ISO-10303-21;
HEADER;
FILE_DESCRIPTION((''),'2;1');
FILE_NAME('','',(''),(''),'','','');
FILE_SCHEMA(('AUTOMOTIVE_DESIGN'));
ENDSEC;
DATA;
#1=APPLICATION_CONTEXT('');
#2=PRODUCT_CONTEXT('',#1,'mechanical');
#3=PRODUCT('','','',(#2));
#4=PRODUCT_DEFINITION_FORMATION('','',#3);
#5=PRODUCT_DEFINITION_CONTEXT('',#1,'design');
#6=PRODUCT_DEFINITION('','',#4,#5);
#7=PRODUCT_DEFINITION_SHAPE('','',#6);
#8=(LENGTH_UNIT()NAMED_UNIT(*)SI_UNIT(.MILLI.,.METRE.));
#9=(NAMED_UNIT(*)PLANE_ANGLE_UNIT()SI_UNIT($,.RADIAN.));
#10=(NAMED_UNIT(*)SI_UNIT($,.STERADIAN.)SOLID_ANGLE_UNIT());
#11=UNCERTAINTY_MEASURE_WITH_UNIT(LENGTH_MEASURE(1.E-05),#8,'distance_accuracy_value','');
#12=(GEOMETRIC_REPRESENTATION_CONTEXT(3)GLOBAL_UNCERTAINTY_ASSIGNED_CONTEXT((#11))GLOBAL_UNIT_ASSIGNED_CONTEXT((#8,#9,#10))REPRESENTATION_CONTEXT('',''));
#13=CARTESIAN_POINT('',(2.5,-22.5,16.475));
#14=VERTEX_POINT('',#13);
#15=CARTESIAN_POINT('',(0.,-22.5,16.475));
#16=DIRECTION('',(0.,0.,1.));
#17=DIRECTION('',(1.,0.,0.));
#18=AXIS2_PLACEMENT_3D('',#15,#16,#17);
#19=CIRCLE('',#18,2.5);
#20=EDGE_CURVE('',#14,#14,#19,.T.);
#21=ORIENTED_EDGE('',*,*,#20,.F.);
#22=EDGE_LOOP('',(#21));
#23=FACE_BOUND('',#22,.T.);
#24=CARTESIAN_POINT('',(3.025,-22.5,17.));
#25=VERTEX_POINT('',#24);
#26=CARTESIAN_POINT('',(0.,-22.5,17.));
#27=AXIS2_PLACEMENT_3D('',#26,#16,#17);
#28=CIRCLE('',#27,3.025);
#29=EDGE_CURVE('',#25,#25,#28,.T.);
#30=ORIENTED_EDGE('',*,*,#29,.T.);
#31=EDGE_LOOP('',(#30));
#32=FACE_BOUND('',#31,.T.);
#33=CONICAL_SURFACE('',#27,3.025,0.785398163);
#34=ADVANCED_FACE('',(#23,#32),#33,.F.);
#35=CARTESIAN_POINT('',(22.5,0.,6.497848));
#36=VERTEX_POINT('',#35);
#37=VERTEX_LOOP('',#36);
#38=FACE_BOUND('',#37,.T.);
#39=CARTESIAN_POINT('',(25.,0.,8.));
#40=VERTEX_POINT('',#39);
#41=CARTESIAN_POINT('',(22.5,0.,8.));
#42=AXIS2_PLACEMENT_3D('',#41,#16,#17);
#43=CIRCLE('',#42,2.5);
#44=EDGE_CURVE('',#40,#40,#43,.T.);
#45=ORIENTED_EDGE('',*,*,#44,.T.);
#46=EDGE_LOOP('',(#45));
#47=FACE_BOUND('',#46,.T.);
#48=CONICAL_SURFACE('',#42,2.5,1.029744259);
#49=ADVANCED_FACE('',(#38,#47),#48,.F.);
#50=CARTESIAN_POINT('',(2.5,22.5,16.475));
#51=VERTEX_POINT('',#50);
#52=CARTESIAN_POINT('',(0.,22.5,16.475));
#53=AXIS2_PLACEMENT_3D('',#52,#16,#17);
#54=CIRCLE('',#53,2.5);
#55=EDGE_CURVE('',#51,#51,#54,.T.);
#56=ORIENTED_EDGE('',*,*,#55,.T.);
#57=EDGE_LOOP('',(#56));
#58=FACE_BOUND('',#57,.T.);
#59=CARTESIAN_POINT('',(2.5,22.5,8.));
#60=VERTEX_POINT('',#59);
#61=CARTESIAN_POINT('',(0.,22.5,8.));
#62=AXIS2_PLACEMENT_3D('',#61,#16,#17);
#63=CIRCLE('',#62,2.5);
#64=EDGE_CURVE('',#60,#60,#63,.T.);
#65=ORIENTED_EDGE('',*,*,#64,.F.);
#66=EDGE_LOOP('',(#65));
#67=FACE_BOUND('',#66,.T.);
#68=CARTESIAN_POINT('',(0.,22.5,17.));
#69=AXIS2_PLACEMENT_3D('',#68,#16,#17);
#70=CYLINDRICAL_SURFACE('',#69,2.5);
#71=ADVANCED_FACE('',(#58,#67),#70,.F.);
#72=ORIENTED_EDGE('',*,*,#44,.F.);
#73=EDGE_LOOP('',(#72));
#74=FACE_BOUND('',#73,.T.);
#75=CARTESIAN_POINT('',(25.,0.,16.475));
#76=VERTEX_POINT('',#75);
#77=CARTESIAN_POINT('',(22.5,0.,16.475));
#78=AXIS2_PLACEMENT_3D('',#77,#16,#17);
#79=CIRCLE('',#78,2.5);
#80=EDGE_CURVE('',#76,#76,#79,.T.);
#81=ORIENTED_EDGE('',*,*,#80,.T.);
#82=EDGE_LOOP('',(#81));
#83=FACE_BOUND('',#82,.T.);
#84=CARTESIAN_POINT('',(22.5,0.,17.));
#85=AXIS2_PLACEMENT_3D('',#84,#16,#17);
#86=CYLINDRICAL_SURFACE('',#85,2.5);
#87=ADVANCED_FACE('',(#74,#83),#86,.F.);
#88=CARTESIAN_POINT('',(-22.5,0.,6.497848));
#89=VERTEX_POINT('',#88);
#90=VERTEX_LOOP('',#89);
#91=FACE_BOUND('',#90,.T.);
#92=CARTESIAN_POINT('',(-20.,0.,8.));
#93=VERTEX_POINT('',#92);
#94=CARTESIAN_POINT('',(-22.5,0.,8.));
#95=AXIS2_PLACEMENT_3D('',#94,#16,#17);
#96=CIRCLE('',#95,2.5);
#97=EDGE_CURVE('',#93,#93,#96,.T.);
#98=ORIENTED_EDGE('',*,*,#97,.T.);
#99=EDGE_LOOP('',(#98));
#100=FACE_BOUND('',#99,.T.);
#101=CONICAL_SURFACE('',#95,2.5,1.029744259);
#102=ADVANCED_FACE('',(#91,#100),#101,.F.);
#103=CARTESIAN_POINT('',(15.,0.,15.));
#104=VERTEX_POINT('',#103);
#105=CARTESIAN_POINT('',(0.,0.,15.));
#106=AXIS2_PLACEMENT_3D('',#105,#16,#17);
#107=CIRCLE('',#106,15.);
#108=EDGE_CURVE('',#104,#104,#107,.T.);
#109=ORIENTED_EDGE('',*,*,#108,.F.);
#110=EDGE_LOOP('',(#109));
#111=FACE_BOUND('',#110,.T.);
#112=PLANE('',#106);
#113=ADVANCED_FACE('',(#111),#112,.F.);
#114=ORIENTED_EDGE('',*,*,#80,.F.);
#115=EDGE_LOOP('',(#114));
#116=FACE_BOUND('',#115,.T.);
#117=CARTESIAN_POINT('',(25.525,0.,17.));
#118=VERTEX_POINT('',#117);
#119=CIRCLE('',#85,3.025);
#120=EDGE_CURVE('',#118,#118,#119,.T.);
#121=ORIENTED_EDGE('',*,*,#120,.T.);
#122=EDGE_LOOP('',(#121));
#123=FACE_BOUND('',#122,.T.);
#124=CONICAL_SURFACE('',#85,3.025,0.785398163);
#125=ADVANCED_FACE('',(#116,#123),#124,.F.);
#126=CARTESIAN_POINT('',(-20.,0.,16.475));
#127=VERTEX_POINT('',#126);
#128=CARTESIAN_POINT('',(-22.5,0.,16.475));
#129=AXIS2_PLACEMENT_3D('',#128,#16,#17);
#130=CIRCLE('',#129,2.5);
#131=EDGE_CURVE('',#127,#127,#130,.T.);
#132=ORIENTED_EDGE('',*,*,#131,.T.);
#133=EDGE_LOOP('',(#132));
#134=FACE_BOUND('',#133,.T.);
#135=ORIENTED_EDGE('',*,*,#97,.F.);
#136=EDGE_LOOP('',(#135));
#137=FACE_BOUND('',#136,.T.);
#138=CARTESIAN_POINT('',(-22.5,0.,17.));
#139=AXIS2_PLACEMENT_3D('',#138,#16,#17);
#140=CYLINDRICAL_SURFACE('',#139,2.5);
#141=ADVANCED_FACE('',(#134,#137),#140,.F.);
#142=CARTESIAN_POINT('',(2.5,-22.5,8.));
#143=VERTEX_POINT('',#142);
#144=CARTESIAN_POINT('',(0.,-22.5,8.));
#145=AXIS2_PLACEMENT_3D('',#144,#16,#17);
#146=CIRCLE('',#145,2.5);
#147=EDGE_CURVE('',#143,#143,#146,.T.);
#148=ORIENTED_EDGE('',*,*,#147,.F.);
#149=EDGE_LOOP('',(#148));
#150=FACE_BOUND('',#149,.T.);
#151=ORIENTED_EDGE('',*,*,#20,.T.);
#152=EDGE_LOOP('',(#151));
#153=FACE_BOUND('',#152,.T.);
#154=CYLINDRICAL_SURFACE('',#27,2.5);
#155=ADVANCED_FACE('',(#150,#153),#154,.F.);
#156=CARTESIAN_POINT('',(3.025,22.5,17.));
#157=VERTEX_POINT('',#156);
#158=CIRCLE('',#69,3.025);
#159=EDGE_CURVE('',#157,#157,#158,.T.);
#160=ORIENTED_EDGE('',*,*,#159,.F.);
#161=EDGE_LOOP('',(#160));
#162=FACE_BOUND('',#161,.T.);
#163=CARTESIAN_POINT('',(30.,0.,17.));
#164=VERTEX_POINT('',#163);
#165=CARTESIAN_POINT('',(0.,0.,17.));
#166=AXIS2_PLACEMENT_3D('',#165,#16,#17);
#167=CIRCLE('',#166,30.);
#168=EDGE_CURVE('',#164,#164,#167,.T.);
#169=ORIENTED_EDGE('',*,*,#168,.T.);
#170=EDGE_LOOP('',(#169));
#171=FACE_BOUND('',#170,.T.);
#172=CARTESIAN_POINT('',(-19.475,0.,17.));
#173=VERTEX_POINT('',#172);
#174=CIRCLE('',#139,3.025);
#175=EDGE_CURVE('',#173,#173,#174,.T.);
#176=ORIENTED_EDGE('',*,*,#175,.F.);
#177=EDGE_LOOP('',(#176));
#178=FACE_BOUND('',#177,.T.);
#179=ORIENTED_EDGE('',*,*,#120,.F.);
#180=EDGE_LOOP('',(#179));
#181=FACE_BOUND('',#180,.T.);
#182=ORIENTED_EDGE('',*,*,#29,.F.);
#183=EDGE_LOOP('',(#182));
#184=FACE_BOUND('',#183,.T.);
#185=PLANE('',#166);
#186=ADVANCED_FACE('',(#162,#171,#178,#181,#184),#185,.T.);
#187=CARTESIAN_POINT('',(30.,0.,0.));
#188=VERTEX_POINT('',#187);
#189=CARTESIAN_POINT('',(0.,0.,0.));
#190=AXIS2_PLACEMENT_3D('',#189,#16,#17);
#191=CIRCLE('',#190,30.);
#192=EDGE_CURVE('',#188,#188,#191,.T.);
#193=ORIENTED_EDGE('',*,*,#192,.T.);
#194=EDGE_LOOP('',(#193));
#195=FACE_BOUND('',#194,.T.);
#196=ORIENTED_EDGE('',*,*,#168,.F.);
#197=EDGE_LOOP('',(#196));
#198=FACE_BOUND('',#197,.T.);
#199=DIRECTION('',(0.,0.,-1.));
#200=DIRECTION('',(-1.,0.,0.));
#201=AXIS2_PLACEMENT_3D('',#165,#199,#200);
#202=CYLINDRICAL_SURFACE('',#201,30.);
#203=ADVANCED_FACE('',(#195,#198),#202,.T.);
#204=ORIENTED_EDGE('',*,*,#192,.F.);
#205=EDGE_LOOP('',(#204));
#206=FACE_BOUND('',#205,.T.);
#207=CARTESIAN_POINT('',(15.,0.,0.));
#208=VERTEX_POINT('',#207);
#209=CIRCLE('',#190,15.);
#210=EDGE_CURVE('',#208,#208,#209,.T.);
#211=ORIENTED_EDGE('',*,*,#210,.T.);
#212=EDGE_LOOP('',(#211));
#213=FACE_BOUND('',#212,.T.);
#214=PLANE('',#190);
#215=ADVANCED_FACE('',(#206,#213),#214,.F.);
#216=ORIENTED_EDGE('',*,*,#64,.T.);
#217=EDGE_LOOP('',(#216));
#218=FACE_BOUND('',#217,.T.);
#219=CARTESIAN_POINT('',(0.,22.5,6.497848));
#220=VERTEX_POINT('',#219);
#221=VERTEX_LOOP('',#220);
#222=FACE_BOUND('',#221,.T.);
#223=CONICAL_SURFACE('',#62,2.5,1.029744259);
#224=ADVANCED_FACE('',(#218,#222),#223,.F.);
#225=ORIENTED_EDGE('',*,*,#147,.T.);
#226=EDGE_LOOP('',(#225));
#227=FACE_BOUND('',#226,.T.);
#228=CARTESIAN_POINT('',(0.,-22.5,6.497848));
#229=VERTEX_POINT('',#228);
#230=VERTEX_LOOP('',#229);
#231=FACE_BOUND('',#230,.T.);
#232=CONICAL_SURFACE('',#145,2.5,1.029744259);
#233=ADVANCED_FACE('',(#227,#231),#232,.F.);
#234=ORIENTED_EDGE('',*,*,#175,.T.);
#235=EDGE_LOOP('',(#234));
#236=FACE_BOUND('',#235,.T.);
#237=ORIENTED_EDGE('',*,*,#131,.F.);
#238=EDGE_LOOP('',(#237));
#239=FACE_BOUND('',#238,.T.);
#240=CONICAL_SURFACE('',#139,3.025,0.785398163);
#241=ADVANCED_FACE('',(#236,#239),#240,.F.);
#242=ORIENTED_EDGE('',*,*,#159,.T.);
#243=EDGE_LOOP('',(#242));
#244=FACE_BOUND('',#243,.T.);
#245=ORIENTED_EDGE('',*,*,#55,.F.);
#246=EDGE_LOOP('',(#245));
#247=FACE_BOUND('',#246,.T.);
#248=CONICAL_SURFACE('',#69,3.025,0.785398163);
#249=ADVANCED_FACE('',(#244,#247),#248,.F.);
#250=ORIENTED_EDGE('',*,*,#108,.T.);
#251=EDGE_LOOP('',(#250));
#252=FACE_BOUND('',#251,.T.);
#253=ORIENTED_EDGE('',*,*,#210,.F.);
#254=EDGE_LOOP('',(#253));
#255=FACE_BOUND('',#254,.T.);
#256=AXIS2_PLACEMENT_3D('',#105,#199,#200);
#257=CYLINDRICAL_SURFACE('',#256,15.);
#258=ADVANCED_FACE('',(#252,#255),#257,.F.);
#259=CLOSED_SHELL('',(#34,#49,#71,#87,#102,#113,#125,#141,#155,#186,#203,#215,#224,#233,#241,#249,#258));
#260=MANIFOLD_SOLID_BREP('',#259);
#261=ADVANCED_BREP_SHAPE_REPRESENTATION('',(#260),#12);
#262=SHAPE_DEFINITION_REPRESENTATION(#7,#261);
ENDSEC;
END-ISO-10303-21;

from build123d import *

# Parameters (mm, degrees)
SKETCH1_R                   = 30
BOSS_EXTRUDE1_DEPTH         = 17
SKETCH1_3_R                 = 15
CUT_EXTRUDE1_DEPTH          = 15
M6_TAPPED_HOLE1_D           = 5
M6_TAPPED_HOLE1_DEPTH       = 9
M6_TAPPED_HOLE1_CSINK_D     = 6.05
M6_TAPPED_HOLE1_CSINK_ANGLE = 90
M6_TAPPED_HOLE1_TIP         = 1.502151548


with BuildPart() as part:
    # Sketch1 → Boss-Extrude1 (new body)
    with BuildSketch(Plane.XY):
        Circle(SKETCH1_R)
    extrude(amount=BOSS_EXTRUDE1_DEPTH)

    # Sketch1<3> → Cut-Extrude1 (cut)
    with BuildSketch(Plane.XY):
        Circle(SKETCH1_3_R)
    extrude(amount=CUT_EXTRUDE1_DEPTH, mode=Mode.SUBTRACT)

    # M6 Tapped Hole1
    with Locations(Plane.XY.offset(17)):
        with Locations((0, -22.5), (22.5, 0), (0, 22.5), (-22.5, 0)):
            CounterSinkHole(M6_TAPPED_HOLE1_D / 2, M6_TAPPED_HOLE1_CSINK_D / 2, depth=M6_TAPPED_HOLE1_DEPTH, counter_sink_angle=M6_TAPPED_HOLE1_CSINK_ANGLE)
            with Locations((0, 0, -(M6_TAPPED_HOLE1_DEPTH + M6_TAPPED_HOLE1_TIP / 2))):  # 118° drill point
                Cone(0, M6_TAPPED_HOLE1_D / 2, M6_TAPPED_HOLE1_TIP, mode=Mode.SUBTRACT)


solid = part.part
